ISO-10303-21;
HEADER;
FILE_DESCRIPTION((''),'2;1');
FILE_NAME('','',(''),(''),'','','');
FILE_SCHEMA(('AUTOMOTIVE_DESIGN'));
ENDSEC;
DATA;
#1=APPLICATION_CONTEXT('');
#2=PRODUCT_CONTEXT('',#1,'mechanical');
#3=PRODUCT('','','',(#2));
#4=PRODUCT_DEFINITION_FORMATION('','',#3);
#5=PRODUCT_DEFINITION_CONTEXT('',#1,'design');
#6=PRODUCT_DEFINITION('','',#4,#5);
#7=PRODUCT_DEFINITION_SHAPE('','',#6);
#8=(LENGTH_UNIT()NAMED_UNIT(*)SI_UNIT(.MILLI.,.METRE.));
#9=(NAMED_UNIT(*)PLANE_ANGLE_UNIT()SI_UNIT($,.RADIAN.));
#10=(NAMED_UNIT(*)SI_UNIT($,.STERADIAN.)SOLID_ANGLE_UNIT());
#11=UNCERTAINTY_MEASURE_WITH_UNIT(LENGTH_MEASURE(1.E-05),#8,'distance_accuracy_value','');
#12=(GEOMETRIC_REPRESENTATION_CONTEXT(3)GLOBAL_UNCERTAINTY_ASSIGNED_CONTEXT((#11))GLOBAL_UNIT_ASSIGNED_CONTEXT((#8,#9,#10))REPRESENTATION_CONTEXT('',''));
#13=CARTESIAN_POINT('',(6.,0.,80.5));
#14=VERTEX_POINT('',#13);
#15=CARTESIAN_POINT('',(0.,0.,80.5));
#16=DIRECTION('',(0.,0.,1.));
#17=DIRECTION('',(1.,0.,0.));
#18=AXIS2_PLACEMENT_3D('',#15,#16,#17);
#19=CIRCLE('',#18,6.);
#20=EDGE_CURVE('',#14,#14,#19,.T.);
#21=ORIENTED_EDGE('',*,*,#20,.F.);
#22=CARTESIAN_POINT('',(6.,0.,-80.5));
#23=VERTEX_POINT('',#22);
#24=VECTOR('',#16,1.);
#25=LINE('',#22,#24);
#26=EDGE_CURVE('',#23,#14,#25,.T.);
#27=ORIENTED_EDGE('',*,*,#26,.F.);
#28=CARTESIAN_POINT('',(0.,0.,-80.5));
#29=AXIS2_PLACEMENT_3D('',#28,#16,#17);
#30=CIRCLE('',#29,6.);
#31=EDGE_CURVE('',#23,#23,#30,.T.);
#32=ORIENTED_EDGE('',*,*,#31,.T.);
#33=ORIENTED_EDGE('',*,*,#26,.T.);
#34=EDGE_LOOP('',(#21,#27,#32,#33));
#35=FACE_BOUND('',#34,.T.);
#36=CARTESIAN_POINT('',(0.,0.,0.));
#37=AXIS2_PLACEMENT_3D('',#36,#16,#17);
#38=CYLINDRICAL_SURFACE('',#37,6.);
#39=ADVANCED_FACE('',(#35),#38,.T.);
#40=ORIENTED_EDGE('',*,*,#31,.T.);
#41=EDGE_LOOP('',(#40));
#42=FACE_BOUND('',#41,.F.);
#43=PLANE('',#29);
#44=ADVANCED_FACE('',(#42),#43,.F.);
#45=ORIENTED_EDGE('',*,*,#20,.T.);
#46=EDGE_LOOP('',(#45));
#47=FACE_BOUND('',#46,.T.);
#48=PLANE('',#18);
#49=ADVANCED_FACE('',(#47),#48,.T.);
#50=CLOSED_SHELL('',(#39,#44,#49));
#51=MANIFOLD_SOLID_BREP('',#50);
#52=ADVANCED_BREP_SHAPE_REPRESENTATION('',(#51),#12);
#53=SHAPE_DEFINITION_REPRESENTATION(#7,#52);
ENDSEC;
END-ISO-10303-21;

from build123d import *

# Parameters (mm, degrees)
SKETCH_R  = 6
PAD_DEPTH = 80.5


with BuildPart() as part:
    # Sketch → Pad (new body, symmetric)
    with BuildSketch(Plane.XY):
        Circle(SKETCH_R)
    extrude(amount=PAD_DEPTH, both=True)


solid = part.part
